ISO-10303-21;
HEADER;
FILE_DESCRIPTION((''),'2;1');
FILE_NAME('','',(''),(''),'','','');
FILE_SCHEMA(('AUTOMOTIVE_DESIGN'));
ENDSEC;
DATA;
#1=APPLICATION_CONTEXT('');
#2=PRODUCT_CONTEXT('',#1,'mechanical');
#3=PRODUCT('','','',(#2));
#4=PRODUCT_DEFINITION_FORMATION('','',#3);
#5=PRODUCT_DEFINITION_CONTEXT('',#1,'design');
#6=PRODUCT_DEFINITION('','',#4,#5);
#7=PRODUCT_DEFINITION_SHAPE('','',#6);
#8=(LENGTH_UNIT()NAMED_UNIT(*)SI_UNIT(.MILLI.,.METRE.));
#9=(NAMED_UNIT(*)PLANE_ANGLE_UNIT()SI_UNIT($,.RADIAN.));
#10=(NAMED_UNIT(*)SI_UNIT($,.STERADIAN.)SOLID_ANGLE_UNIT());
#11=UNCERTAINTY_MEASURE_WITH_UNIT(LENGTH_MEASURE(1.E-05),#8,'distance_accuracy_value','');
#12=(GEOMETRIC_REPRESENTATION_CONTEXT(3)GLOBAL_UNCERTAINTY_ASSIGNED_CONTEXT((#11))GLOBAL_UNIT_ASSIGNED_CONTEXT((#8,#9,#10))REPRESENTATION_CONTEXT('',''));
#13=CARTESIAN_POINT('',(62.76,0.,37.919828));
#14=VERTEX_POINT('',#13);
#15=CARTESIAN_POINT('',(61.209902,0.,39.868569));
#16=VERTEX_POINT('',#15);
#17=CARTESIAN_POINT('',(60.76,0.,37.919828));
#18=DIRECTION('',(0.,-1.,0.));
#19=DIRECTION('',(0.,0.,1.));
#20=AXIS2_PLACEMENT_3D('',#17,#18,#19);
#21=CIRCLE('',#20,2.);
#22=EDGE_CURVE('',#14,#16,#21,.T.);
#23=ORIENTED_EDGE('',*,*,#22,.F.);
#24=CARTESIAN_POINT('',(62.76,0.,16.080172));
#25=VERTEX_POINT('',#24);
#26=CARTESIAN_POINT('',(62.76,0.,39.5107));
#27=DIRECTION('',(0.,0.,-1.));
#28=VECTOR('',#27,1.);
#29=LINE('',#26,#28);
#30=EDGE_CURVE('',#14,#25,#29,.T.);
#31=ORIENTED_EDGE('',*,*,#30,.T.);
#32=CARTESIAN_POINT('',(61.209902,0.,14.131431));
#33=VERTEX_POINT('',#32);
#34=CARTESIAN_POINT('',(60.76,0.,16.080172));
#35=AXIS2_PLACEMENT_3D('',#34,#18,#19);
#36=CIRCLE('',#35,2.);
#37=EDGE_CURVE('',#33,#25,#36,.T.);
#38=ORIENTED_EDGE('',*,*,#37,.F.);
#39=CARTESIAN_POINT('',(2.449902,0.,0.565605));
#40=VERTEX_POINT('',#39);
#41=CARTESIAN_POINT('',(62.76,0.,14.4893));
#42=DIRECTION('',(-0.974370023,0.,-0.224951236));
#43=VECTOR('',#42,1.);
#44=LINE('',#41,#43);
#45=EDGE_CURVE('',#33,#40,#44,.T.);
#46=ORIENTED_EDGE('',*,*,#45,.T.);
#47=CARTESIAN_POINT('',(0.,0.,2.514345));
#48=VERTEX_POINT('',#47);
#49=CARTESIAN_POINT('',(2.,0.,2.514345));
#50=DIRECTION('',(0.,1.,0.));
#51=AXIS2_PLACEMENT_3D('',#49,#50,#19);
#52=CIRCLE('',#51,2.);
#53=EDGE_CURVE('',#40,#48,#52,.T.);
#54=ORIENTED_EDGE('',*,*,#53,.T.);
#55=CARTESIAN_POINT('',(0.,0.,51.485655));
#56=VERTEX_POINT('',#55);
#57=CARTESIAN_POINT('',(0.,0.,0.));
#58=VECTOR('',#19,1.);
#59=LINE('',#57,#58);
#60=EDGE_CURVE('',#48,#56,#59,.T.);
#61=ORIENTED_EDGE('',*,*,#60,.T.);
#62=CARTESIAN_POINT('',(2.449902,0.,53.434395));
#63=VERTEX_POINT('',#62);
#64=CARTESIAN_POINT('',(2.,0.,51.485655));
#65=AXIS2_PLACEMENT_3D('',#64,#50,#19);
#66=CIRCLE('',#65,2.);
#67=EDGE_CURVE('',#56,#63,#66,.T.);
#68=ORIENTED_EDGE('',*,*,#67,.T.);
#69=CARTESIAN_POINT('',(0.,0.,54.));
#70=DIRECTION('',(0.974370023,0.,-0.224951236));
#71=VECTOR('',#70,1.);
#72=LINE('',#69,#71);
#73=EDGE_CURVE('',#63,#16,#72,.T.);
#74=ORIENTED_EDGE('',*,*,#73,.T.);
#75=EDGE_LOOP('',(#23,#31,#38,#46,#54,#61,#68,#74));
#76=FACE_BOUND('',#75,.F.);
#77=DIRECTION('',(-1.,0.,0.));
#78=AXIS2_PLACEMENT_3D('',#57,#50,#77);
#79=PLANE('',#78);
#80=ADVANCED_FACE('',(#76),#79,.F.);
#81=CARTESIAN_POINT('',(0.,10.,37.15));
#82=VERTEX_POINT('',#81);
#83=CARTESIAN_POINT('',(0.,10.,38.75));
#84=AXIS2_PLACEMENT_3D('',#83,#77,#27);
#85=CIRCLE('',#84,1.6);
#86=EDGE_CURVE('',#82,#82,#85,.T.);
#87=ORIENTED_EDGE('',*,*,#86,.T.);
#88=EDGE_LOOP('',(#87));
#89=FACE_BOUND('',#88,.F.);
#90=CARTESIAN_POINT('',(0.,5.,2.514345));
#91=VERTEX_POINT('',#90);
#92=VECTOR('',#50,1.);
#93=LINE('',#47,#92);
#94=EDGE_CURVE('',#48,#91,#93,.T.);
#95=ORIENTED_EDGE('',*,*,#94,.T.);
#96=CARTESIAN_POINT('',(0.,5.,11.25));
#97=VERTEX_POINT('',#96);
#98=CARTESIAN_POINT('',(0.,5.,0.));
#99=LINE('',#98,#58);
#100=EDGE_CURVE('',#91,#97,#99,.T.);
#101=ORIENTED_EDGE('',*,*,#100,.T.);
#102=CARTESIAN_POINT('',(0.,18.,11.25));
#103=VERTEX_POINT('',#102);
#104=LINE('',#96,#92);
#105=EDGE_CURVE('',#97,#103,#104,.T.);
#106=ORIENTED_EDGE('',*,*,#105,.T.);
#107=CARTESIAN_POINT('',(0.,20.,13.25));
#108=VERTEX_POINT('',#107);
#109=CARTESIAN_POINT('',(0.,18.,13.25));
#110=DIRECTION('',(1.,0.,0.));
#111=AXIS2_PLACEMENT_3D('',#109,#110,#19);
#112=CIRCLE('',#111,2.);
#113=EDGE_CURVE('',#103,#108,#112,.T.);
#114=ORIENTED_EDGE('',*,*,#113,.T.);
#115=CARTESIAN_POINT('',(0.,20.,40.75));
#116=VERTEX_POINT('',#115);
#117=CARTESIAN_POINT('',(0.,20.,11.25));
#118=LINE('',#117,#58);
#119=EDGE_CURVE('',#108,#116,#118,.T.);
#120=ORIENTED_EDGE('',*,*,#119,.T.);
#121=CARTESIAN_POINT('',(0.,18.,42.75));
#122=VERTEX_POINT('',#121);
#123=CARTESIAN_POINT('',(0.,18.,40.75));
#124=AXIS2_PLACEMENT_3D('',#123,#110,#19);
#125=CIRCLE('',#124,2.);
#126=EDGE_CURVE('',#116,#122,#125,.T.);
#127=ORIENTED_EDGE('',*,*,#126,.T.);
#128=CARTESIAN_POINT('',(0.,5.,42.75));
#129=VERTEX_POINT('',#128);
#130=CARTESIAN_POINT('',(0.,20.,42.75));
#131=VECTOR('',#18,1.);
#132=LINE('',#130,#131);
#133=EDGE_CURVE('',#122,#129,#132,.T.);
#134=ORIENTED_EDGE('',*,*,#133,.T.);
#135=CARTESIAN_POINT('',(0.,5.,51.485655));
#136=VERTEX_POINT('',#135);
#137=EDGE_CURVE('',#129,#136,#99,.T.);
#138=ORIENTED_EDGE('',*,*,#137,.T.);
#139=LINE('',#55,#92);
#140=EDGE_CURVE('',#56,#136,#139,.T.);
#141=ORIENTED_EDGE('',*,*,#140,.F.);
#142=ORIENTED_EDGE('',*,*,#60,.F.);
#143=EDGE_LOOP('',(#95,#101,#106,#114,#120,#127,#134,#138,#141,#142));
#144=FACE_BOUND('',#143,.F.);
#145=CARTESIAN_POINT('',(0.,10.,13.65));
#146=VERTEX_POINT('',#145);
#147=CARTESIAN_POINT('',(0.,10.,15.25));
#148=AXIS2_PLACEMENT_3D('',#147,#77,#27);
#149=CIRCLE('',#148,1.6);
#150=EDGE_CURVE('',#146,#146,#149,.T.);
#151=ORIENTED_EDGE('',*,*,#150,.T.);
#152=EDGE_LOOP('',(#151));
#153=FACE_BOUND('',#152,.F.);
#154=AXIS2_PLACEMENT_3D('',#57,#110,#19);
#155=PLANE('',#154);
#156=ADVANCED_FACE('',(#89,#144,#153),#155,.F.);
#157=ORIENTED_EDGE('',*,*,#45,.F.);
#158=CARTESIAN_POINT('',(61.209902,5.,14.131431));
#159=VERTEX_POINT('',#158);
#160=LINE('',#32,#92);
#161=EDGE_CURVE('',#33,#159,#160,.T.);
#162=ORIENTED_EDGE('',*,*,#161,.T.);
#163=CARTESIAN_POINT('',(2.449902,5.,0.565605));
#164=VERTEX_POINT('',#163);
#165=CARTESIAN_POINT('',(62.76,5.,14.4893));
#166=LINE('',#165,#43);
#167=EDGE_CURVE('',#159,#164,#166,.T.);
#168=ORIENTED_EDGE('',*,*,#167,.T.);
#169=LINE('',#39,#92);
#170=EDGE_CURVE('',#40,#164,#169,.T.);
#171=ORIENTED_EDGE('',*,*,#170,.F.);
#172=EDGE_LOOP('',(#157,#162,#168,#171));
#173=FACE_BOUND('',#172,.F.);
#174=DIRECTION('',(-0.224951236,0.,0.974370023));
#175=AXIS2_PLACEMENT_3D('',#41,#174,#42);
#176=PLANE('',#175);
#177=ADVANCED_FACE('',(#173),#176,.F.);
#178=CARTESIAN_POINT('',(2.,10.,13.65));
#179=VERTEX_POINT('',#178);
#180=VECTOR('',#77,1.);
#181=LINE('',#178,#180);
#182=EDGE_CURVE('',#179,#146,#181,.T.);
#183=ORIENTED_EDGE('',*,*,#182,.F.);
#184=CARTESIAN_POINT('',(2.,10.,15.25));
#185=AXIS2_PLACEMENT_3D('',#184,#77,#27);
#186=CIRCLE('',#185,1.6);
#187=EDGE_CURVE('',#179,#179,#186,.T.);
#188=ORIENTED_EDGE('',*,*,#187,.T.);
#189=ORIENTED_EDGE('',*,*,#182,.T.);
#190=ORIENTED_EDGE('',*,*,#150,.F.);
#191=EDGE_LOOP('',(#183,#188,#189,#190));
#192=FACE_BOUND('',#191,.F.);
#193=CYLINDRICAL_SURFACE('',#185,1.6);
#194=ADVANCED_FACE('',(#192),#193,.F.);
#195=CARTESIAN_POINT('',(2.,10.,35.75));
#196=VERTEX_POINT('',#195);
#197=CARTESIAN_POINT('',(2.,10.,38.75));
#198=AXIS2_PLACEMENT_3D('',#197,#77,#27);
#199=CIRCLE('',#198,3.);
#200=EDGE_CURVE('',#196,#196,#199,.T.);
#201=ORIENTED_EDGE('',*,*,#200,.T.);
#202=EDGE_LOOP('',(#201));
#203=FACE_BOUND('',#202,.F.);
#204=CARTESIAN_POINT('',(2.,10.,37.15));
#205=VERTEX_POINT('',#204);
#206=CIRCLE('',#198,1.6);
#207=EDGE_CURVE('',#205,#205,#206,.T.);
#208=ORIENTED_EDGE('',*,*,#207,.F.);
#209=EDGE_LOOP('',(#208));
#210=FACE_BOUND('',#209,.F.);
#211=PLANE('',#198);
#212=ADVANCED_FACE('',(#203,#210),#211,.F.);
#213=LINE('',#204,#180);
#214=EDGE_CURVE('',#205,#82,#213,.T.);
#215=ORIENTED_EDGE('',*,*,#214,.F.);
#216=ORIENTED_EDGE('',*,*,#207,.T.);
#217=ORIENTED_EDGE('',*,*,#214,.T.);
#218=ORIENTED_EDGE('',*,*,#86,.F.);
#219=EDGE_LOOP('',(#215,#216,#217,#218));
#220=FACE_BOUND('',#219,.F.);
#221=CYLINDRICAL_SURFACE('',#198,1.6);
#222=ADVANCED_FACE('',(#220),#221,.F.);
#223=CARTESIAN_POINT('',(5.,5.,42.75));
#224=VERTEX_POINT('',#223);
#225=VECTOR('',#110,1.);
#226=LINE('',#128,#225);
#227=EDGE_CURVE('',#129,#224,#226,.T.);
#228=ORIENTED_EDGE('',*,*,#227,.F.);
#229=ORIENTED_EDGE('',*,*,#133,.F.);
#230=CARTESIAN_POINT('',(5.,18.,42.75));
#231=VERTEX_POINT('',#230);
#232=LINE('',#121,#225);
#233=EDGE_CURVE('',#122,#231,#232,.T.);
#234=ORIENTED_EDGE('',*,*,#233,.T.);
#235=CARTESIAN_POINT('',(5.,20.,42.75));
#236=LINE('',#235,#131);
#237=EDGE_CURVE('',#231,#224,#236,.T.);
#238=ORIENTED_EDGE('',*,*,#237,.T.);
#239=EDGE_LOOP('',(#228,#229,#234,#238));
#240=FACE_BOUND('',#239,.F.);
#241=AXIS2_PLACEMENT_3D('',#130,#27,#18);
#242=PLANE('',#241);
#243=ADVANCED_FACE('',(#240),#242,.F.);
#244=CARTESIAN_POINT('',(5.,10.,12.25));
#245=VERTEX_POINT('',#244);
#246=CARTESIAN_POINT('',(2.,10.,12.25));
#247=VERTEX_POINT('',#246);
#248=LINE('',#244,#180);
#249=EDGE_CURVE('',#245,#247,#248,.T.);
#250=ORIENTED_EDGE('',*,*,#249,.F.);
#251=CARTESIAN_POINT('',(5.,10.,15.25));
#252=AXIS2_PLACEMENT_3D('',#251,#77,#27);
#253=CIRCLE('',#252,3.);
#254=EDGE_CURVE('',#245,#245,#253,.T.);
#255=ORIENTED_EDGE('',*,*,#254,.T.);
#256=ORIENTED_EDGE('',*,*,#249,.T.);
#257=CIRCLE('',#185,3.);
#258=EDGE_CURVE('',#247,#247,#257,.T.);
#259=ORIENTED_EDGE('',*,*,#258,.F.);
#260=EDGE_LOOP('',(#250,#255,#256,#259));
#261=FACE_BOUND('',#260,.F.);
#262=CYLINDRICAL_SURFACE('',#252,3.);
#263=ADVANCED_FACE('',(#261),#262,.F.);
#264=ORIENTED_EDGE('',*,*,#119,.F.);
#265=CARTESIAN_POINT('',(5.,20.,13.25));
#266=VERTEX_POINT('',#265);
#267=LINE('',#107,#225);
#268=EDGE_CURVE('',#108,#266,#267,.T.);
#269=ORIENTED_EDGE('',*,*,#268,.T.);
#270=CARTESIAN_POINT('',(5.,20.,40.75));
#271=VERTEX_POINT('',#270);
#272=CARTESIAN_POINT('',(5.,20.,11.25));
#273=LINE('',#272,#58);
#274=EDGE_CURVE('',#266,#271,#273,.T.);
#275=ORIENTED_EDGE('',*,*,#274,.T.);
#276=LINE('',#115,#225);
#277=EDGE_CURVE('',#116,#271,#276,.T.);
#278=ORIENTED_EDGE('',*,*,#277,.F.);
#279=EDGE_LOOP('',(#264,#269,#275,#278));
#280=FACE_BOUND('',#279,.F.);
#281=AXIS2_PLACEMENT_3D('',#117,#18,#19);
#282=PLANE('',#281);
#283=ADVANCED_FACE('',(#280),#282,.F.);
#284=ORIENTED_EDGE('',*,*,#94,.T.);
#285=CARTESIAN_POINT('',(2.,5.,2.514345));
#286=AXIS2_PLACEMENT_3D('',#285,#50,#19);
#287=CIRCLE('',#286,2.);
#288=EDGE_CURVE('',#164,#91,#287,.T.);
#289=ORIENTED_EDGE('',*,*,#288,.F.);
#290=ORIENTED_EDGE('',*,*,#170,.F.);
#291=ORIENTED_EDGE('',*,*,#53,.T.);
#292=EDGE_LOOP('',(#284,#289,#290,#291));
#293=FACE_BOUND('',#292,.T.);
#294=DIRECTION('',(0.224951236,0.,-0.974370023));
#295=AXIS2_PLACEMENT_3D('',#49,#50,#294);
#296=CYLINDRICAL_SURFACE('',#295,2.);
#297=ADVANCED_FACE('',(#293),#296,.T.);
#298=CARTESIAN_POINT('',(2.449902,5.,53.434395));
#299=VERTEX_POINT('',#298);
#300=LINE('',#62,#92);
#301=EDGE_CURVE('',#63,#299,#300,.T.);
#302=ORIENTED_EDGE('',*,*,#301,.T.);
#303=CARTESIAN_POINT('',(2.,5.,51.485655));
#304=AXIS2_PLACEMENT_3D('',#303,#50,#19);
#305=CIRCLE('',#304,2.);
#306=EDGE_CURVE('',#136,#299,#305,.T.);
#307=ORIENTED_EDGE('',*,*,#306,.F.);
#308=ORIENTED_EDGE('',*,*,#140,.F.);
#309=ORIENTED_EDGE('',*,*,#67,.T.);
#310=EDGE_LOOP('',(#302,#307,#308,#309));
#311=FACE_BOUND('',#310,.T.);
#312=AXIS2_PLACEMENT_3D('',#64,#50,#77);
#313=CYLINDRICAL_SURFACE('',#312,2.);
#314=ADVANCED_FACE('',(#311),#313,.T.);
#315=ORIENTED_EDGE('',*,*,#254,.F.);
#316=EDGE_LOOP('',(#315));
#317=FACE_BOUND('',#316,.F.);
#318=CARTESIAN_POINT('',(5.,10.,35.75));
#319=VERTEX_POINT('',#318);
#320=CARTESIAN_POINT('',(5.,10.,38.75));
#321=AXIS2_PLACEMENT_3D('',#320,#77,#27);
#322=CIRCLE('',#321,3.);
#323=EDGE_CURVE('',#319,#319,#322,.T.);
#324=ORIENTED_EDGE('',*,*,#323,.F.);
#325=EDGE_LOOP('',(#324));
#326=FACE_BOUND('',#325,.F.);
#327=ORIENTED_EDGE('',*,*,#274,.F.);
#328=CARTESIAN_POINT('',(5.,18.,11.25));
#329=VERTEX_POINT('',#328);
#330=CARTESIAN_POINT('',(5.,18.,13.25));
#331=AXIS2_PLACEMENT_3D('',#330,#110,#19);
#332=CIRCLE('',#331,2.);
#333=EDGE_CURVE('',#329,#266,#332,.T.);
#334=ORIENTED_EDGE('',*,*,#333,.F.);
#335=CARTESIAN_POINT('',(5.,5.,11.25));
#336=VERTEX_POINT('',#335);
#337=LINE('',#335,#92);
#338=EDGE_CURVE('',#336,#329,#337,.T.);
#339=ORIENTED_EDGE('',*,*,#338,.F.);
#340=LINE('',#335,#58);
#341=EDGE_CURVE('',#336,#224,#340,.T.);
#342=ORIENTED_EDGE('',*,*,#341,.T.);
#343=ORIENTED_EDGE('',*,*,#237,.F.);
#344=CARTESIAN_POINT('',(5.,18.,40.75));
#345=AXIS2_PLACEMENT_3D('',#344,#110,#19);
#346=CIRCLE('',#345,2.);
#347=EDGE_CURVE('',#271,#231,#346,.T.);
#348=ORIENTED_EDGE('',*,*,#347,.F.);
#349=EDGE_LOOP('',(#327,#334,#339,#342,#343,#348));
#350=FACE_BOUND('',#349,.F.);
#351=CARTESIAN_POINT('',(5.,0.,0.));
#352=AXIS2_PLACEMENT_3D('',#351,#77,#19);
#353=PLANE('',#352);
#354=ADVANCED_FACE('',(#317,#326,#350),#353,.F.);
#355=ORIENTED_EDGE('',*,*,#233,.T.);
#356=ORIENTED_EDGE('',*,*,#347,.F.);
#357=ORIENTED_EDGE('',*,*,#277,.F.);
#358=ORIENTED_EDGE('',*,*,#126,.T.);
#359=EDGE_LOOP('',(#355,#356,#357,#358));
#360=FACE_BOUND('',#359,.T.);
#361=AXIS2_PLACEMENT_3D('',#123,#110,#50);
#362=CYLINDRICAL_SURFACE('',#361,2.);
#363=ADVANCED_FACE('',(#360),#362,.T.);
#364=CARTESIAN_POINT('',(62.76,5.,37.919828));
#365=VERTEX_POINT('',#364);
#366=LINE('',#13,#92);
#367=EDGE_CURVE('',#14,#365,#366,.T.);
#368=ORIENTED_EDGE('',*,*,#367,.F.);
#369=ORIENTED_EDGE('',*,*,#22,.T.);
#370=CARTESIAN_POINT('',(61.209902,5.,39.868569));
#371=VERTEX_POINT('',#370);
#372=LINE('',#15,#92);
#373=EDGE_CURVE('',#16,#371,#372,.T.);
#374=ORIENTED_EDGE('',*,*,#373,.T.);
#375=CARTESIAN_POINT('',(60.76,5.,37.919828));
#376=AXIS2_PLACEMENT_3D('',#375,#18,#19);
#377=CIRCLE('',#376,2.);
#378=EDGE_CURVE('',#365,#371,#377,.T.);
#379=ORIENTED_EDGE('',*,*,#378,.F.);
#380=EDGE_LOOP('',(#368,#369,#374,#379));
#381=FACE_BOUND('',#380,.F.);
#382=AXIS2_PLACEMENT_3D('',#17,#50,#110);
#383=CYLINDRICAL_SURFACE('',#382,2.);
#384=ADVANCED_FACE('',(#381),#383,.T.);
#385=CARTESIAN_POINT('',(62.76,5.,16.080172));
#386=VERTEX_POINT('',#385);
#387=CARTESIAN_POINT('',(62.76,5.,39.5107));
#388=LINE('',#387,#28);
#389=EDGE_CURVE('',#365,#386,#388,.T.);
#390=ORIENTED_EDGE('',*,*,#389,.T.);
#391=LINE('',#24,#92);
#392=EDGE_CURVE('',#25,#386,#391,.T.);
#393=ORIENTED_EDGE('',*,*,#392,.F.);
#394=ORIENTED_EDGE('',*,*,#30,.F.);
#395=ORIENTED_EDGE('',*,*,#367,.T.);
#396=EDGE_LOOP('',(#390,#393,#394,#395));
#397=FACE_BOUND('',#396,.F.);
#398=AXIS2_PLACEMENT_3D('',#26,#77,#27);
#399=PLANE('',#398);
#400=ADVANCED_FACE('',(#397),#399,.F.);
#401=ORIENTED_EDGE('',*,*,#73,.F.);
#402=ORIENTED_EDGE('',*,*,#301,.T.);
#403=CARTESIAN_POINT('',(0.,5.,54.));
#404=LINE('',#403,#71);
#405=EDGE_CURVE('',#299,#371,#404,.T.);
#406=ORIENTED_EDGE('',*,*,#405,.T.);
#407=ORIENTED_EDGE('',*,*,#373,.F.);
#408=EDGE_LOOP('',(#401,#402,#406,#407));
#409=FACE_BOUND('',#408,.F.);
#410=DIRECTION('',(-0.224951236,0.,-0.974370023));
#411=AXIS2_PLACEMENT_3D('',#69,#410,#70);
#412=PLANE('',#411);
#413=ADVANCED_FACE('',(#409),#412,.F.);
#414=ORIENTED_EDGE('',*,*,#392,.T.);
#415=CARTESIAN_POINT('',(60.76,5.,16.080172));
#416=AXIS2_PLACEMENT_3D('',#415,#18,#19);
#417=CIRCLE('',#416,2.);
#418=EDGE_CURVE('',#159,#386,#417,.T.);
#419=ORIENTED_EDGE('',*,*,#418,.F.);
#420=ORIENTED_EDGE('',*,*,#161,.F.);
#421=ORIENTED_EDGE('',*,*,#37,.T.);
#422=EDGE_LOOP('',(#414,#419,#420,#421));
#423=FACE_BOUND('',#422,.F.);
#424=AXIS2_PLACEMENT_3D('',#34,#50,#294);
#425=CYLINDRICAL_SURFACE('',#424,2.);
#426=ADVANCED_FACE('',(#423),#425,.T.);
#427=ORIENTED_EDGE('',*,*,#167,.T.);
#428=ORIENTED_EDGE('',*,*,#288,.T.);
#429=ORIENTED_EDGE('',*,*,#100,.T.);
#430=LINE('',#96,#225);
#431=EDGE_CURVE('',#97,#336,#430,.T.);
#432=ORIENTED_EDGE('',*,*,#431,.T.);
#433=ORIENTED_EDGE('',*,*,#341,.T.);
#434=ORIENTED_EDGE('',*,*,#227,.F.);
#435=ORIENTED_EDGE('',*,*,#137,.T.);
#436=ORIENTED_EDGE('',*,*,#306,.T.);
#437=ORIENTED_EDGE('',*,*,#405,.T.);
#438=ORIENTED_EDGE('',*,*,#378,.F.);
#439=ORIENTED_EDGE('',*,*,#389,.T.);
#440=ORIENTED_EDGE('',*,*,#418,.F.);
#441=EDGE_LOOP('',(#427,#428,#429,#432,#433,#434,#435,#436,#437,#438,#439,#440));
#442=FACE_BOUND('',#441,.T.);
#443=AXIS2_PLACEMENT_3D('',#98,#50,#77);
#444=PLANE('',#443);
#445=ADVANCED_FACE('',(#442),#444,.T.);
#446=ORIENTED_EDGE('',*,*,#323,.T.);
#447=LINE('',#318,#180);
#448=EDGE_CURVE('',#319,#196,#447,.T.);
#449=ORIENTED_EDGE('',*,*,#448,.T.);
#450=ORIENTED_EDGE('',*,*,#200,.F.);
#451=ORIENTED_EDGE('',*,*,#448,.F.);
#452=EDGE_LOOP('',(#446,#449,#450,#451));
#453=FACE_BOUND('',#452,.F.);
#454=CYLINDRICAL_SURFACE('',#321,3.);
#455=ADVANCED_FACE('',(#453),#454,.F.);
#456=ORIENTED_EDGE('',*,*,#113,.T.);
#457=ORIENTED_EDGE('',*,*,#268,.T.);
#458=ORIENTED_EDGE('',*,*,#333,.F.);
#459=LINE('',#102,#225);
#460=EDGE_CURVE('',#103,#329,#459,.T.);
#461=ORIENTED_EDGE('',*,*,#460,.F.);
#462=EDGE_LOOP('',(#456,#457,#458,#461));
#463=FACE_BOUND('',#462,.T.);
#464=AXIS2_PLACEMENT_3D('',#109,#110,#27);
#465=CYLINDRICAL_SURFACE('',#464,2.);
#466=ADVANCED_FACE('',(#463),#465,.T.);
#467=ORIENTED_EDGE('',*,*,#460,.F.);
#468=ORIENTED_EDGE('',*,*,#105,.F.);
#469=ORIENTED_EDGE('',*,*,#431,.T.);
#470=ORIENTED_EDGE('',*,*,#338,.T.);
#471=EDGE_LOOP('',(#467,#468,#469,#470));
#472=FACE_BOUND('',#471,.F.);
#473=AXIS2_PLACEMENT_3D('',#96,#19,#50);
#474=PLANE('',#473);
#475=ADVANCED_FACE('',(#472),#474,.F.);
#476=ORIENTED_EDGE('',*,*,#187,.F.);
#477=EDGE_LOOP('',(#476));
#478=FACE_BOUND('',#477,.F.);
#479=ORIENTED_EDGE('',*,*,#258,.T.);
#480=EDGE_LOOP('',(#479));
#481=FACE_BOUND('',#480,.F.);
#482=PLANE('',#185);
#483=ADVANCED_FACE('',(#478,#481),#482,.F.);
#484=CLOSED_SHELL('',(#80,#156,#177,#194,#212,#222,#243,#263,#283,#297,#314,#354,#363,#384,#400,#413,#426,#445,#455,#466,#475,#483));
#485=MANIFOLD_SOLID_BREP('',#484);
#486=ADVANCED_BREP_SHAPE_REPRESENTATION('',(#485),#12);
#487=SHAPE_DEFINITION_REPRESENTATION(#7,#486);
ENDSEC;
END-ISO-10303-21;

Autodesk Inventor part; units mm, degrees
ref_plane "YZ Plane" through (0, 0, 0) normal (1, 0, 0) x (0, 1, 0)
ref_plane "XZ Plane" through (0, 0, 0) normal (0, 1, 0) x (-1, 0, 0)
ref_plane "XY Plane" through (0, 0, 0) normal (0, 0, 1) x (1, 0, 0)
sketch "スケッチ1" plane through (0, 0, 0) normal (0, 1, 0) x (-1, 0, 0)
  line L0 (0, 0) -> (0, 54)
  line L1 (0, 54) -> (-62.76, 39.5107)
  line L2 (-62.76, 39.5107) -> (-62.76, 14.4893)
  line L3 (-62.76, 14.4893) -> (0, 0)
  dimension "d0" = 77
  dimension "d1" = 77
  dimension "d2" = 62.76
  dimension "d3" = 54
extrude "押し出し1" add sketch "スケッチ1" along normal blind 5
sketch "スケッチ2" plane through (0, 0, 0) normal (-1, 0, 0) x (0, 0, 1)
  line L0 (39.5107, 5) -> (14.4893, 5) projected
  line L1 (42.75, 5) -> (11.25, 5)
  line L2 (11.25, 5) -> (11.25, 20)
  line L3 (11.25, 20) -> (42.75, 20)
  line L4 (42.75, 20) -> (42.75, 5)
  line L5 (54, 0) -> (54, 5) projected
  point P0 (0, 0)
  dimension "d6" = 31.5
  dimension "d7" = 15
  dimension "d8" = 11.25
extrude "押し出し2" add sketch "スケッチ2" against normal blind 5
sketch "スケッチ3" plane through (5, 0, 0) normal (1, 0, 0) x (0, 0, -1)
  line L0 (-42.75, 20) -> (-42.75, 5) projected
  line L1 (-39.5107, 5) -> (-14.4893, 5) projected
  point P0 (0, 0)
  point P1 (-38.75, 10)
  point P2 (-15.25, 10)
  dimension "d15" = 10
  dimension "d11" = 4
  dimension "d12" = 5
  dimension "d18" = 23.5
hole "穴1" at (5, 10, 38.75) at (5, 10, 15.25) direction (-1, 0, 0) diameter 3.2 depth 8 tip angle 118 counterbore diameter 6 counterbore depth 3
fillet "フィレット1" radius 2 6 edges at (0, 2.5, 54) (0, 2.5, 0) (62.76, 2.5, 14.4893) (62.76, 2.5, 39.5107) (2.5, 20, 42.75) (2.5, 20, 11.25)
equation "\"d1\" = d0"
properties part number "nail" material "ABS プラスチック"
